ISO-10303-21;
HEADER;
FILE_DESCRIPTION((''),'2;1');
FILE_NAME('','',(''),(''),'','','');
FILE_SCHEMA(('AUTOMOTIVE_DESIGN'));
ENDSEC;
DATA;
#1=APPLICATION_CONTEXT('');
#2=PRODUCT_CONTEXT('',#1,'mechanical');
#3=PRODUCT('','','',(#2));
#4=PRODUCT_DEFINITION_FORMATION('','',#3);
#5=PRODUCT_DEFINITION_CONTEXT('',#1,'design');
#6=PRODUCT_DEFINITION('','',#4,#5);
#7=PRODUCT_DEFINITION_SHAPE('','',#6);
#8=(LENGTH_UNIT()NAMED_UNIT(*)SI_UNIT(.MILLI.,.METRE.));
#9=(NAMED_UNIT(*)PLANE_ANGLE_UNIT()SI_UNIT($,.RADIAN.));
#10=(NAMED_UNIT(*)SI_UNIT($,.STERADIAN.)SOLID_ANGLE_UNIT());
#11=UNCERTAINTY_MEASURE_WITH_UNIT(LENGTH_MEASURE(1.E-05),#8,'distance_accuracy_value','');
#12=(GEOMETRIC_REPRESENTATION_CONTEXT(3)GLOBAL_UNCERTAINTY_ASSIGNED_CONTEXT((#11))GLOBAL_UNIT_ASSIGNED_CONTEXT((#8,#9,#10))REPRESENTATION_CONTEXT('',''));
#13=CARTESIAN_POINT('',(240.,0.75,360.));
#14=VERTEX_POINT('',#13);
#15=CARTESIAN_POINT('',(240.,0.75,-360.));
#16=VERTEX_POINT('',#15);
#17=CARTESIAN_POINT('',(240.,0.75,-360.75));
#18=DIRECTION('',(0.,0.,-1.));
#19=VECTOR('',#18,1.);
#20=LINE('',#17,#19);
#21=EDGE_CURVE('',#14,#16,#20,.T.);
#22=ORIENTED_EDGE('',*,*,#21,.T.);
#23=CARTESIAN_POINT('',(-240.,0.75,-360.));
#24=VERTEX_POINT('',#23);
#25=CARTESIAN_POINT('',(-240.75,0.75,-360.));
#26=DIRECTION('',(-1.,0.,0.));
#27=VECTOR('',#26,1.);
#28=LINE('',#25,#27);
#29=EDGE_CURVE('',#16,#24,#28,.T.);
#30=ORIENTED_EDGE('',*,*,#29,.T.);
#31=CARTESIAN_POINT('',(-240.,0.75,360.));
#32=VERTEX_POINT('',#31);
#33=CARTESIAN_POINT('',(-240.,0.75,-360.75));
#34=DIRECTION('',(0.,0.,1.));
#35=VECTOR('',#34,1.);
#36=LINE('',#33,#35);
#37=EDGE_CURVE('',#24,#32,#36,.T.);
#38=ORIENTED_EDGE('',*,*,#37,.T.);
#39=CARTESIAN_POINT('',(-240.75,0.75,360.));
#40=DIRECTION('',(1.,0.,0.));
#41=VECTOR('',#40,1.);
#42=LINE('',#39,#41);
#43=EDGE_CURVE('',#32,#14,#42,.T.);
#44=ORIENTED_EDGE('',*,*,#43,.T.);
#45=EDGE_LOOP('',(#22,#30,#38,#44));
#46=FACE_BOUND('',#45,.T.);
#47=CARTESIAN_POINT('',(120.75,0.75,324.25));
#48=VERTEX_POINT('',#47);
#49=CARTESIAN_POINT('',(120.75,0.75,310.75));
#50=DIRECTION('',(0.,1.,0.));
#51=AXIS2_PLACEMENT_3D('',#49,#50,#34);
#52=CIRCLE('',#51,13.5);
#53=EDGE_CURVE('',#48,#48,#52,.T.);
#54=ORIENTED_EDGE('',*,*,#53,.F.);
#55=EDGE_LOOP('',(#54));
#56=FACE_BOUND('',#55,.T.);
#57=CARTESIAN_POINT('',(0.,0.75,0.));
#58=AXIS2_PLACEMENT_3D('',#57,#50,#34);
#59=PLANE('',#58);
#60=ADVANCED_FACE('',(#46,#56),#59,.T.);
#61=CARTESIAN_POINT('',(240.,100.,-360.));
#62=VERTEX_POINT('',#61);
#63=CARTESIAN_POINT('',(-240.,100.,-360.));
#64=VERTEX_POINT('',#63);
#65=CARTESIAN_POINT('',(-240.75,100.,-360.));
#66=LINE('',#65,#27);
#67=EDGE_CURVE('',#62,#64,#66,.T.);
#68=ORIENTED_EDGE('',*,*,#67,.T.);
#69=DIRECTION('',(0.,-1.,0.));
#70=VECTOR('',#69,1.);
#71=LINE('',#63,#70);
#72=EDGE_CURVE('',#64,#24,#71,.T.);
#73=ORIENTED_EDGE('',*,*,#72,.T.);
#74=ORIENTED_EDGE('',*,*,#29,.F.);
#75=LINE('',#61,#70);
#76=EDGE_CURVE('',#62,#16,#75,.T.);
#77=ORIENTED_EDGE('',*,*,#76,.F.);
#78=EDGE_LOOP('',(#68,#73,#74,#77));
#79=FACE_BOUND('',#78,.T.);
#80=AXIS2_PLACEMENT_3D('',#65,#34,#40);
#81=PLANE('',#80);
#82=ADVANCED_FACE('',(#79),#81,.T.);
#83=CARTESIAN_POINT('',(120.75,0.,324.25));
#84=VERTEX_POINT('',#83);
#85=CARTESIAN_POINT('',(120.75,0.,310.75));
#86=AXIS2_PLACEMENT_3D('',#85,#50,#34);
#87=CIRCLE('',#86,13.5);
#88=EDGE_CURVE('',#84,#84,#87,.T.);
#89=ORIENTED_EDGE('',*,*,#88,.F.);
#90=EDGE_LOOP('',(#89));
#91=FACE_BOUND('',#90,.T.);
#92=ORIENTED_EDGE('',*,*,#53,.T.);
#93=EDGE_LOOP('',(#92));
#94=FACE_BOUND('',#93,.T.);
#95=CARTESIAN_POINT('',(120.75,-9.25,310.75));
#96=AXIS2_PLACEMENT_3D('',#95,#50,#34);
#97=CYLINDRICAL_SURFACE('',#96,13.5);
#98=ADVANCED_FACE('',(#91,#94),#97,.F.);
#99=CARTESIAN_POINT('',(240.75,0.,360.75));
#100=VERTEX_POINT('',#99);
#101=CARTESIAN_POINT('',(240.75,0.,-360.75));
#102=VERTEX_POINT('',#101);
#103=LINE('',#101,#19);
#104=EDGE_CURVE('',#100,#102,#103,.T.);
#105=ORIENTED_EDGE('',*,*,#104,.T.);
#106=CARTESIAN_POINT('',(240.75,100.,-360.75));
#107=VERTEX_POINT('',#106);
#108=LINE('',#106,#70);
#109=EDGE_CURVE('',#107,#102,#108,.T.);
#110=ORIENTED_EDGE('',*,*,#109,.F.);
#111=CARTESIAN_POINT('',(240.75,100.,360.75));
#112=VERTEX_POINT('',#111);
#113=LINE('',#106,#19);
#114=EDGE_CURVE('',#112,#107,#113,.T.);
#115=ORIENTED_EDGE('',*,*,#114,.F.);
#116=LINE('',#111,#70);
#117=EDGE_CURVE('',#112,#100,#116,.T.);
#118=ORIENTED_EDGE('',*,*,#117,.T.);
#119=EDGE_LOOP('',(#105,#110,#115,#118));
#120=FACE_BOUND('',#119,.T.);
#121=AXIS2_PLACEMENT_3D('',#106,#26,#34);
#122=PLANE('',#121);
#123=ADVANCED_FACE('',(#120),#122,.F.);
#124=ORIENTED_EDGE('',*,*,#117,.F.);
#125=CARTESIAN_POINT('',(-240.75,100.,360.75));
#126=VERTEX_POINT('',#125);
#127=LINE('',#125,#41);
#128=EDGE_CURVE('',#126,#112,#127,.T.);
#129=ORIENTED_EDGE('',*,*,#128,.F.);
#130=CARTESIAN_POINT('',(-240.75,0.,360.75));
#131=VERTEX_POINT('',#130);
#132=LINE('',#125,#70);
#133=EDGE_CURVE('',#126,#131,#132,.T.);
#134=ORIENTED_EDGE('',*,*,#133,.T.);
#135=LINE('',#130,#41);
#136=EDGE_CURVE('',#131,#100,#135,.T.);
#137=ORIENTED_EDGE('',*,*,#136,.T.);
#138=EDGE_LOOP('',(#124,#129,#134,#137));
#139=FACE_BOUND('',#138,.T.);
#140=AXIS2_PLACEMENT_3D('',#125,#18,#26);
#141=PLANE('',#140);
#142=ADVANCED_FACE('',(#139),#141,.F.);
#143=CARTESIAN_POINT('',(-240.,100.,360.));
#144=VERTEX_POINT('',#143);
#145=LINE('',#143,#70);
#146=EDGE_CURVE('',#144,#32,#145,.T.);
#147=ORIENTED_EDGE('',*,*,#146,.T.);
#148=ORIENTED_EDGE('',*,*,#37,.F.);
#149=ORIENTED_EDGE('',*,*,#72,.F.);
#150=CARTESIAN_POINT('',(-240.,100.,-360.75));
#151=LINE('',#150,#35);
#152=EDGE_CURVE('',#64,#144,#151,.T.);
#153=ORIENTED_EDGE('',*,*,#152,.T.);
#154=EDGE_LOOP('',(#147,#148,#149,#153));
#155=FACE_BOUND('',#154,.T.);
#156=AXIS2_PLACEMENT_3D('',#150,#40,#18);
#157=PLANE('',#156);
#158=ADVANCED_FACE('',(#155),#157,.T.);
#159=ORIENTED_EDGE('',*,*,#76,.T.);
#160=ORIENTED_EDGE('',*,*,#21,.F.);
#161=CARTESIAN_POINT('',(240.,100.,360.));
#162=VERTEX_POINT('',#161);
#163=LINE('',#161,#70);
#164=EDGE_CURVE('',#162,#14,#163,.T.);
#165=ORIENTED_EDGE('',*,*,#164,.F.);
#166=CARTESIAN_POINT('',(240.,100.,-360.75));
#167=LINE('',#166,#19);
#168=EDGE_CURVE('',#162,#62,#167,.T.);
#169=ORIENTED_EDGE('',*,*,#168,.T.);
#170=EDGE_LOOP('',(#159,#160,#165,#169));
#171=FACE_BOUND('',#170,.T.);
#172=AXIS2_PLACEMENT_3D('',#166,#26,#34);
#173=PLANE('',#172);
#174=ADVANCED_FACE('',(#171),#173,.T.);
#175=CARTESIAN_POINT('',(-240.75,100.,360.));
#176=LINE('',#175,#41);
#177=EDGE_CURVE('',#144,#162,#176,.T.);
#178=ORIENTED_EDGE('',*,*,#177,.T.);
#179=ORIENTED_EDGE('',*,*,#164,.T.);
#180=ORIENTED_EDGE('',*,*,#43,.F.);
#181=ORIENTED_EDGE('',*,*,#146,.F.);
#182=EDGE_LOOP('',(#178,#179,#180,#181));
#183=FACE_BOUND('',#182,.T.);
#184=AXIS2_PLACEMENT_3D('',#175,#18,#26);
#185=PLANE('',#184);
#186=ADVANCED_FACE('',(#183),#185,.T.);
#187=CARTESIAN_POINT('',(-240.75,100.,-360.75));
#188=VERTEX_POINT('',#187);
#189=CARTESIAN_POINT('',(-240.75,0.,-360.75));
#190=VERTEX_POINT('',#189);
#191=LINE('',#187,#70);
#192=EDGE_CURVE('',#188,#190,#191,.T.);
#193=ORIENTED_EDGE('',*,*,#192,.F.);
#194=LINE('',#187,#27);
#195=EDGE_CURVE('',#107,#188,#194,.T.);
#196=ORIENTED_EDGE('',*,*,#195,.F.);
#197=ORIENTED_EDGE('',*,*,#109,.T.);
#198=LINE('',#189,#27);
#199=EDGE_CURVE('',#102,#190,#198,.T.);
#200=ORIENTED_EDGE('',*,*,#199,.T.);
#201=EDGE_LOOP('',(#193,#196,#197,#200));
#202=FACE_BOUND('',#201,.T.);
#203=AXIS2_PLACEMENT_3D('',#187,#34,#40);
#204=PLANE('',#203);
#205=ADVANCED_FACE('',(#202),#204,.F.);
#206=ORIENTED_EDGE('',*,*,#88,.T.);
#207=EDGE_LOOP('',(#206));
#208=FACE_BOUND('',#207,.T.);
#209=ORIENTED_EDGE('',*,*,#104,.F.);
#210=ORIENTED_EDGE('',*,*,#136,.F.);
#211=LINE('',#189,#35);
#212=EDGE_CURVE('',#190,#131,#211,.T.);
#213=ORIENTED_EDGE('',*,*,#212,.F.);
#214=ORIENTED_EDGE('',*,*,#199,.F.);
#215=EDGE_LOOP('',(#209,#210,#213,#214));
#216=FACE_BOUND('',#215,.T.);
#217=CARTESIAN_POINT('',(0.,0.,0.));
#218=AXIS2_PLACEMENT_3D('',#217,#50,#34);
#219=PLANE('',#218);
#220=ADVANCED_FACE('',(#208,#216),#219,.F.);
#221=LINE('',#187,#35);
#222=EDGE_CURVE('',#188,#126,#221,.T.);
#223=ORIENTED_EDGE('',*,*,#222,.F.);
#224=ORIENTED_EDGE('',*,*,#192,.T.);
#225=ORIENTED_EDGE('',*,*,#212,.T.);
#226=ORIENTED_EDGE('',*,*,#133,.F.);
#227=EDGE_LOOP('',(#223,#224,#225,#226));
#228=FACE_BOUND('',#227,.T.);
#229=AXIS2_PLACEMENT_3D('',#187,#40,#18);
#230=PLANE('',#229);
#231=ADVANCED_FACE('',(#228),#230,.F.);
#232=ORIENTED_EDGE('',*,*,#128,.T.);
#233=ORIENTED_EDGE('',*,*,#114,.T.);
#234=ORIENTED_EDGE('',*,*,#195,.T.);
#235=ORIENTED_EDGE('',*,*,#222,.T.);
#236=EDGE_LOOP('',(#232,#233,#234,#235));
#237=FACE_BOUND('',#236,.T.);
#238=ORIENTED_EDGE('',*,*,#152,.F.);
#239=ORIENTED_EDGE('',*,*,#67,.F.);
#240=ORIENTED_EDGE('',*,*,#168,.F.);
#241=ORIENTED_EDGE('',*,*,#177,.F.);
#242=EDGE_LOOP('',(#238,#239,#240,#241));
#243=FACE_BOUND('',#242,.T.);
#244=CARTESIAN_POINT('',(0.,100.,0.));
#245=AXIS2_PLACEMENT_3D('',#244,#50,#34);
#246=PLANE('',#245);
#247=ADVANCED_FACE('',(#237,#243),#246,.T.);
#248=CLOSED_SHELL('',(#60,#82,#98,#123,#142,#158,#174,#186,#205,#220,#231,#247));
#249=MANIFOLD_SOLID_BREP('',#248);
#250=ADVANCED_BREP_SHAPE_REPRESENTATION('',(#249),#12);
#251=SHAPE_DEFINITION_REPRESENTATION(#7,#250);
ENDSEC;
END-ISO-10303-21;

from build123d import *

# Parameters (mm, degrees)
SKETCH1_W           = 481.5
SKETCH1_H           = 721.5
BOSS_EXTRUDE1_DEPTH = 100
SHELL1_T            = -0.75
SKETCH2_R           = 13.5
CUT_EXTRUDE1_DEPTH  = 10


with BuildPart() as part:
    # Sketch1 → Boss-Extrude1 (new body)
    with BuildSketch(Plane(origin=(0, 0, 0), x_dir=(1, 0, 0), z_dir=(0, 1, 0))):
        Rectangle(SKETCH1_W, SKETCH1_H)
    extrude(amount=BOSS_EXTRUDE1_DEPTH)

    # Shell1
    shell1_openings = [part.faces().sort_by_distance(p)[0] for p in [
        (0, 100, 0),
    ]]
    offset(amount=SHELL1_T, openings=shell1_openings, kind=Kind.INTERSECTION)

    # Sketch2 → Cut-Extrude1 (cut)
    with BuildSketch(Plane(origin=(0, 0.75, 0), x_dir=(1, 0, 0), z_dir=(0, 1, 0))):
        with Locations((120.75, -310.75)):
            Circle(SKETCH2_R)
    extrude(amount=-CUT_EXTRUDE1_DEPTH, mode=Mode.SUBTRACT)


solid = part.part
